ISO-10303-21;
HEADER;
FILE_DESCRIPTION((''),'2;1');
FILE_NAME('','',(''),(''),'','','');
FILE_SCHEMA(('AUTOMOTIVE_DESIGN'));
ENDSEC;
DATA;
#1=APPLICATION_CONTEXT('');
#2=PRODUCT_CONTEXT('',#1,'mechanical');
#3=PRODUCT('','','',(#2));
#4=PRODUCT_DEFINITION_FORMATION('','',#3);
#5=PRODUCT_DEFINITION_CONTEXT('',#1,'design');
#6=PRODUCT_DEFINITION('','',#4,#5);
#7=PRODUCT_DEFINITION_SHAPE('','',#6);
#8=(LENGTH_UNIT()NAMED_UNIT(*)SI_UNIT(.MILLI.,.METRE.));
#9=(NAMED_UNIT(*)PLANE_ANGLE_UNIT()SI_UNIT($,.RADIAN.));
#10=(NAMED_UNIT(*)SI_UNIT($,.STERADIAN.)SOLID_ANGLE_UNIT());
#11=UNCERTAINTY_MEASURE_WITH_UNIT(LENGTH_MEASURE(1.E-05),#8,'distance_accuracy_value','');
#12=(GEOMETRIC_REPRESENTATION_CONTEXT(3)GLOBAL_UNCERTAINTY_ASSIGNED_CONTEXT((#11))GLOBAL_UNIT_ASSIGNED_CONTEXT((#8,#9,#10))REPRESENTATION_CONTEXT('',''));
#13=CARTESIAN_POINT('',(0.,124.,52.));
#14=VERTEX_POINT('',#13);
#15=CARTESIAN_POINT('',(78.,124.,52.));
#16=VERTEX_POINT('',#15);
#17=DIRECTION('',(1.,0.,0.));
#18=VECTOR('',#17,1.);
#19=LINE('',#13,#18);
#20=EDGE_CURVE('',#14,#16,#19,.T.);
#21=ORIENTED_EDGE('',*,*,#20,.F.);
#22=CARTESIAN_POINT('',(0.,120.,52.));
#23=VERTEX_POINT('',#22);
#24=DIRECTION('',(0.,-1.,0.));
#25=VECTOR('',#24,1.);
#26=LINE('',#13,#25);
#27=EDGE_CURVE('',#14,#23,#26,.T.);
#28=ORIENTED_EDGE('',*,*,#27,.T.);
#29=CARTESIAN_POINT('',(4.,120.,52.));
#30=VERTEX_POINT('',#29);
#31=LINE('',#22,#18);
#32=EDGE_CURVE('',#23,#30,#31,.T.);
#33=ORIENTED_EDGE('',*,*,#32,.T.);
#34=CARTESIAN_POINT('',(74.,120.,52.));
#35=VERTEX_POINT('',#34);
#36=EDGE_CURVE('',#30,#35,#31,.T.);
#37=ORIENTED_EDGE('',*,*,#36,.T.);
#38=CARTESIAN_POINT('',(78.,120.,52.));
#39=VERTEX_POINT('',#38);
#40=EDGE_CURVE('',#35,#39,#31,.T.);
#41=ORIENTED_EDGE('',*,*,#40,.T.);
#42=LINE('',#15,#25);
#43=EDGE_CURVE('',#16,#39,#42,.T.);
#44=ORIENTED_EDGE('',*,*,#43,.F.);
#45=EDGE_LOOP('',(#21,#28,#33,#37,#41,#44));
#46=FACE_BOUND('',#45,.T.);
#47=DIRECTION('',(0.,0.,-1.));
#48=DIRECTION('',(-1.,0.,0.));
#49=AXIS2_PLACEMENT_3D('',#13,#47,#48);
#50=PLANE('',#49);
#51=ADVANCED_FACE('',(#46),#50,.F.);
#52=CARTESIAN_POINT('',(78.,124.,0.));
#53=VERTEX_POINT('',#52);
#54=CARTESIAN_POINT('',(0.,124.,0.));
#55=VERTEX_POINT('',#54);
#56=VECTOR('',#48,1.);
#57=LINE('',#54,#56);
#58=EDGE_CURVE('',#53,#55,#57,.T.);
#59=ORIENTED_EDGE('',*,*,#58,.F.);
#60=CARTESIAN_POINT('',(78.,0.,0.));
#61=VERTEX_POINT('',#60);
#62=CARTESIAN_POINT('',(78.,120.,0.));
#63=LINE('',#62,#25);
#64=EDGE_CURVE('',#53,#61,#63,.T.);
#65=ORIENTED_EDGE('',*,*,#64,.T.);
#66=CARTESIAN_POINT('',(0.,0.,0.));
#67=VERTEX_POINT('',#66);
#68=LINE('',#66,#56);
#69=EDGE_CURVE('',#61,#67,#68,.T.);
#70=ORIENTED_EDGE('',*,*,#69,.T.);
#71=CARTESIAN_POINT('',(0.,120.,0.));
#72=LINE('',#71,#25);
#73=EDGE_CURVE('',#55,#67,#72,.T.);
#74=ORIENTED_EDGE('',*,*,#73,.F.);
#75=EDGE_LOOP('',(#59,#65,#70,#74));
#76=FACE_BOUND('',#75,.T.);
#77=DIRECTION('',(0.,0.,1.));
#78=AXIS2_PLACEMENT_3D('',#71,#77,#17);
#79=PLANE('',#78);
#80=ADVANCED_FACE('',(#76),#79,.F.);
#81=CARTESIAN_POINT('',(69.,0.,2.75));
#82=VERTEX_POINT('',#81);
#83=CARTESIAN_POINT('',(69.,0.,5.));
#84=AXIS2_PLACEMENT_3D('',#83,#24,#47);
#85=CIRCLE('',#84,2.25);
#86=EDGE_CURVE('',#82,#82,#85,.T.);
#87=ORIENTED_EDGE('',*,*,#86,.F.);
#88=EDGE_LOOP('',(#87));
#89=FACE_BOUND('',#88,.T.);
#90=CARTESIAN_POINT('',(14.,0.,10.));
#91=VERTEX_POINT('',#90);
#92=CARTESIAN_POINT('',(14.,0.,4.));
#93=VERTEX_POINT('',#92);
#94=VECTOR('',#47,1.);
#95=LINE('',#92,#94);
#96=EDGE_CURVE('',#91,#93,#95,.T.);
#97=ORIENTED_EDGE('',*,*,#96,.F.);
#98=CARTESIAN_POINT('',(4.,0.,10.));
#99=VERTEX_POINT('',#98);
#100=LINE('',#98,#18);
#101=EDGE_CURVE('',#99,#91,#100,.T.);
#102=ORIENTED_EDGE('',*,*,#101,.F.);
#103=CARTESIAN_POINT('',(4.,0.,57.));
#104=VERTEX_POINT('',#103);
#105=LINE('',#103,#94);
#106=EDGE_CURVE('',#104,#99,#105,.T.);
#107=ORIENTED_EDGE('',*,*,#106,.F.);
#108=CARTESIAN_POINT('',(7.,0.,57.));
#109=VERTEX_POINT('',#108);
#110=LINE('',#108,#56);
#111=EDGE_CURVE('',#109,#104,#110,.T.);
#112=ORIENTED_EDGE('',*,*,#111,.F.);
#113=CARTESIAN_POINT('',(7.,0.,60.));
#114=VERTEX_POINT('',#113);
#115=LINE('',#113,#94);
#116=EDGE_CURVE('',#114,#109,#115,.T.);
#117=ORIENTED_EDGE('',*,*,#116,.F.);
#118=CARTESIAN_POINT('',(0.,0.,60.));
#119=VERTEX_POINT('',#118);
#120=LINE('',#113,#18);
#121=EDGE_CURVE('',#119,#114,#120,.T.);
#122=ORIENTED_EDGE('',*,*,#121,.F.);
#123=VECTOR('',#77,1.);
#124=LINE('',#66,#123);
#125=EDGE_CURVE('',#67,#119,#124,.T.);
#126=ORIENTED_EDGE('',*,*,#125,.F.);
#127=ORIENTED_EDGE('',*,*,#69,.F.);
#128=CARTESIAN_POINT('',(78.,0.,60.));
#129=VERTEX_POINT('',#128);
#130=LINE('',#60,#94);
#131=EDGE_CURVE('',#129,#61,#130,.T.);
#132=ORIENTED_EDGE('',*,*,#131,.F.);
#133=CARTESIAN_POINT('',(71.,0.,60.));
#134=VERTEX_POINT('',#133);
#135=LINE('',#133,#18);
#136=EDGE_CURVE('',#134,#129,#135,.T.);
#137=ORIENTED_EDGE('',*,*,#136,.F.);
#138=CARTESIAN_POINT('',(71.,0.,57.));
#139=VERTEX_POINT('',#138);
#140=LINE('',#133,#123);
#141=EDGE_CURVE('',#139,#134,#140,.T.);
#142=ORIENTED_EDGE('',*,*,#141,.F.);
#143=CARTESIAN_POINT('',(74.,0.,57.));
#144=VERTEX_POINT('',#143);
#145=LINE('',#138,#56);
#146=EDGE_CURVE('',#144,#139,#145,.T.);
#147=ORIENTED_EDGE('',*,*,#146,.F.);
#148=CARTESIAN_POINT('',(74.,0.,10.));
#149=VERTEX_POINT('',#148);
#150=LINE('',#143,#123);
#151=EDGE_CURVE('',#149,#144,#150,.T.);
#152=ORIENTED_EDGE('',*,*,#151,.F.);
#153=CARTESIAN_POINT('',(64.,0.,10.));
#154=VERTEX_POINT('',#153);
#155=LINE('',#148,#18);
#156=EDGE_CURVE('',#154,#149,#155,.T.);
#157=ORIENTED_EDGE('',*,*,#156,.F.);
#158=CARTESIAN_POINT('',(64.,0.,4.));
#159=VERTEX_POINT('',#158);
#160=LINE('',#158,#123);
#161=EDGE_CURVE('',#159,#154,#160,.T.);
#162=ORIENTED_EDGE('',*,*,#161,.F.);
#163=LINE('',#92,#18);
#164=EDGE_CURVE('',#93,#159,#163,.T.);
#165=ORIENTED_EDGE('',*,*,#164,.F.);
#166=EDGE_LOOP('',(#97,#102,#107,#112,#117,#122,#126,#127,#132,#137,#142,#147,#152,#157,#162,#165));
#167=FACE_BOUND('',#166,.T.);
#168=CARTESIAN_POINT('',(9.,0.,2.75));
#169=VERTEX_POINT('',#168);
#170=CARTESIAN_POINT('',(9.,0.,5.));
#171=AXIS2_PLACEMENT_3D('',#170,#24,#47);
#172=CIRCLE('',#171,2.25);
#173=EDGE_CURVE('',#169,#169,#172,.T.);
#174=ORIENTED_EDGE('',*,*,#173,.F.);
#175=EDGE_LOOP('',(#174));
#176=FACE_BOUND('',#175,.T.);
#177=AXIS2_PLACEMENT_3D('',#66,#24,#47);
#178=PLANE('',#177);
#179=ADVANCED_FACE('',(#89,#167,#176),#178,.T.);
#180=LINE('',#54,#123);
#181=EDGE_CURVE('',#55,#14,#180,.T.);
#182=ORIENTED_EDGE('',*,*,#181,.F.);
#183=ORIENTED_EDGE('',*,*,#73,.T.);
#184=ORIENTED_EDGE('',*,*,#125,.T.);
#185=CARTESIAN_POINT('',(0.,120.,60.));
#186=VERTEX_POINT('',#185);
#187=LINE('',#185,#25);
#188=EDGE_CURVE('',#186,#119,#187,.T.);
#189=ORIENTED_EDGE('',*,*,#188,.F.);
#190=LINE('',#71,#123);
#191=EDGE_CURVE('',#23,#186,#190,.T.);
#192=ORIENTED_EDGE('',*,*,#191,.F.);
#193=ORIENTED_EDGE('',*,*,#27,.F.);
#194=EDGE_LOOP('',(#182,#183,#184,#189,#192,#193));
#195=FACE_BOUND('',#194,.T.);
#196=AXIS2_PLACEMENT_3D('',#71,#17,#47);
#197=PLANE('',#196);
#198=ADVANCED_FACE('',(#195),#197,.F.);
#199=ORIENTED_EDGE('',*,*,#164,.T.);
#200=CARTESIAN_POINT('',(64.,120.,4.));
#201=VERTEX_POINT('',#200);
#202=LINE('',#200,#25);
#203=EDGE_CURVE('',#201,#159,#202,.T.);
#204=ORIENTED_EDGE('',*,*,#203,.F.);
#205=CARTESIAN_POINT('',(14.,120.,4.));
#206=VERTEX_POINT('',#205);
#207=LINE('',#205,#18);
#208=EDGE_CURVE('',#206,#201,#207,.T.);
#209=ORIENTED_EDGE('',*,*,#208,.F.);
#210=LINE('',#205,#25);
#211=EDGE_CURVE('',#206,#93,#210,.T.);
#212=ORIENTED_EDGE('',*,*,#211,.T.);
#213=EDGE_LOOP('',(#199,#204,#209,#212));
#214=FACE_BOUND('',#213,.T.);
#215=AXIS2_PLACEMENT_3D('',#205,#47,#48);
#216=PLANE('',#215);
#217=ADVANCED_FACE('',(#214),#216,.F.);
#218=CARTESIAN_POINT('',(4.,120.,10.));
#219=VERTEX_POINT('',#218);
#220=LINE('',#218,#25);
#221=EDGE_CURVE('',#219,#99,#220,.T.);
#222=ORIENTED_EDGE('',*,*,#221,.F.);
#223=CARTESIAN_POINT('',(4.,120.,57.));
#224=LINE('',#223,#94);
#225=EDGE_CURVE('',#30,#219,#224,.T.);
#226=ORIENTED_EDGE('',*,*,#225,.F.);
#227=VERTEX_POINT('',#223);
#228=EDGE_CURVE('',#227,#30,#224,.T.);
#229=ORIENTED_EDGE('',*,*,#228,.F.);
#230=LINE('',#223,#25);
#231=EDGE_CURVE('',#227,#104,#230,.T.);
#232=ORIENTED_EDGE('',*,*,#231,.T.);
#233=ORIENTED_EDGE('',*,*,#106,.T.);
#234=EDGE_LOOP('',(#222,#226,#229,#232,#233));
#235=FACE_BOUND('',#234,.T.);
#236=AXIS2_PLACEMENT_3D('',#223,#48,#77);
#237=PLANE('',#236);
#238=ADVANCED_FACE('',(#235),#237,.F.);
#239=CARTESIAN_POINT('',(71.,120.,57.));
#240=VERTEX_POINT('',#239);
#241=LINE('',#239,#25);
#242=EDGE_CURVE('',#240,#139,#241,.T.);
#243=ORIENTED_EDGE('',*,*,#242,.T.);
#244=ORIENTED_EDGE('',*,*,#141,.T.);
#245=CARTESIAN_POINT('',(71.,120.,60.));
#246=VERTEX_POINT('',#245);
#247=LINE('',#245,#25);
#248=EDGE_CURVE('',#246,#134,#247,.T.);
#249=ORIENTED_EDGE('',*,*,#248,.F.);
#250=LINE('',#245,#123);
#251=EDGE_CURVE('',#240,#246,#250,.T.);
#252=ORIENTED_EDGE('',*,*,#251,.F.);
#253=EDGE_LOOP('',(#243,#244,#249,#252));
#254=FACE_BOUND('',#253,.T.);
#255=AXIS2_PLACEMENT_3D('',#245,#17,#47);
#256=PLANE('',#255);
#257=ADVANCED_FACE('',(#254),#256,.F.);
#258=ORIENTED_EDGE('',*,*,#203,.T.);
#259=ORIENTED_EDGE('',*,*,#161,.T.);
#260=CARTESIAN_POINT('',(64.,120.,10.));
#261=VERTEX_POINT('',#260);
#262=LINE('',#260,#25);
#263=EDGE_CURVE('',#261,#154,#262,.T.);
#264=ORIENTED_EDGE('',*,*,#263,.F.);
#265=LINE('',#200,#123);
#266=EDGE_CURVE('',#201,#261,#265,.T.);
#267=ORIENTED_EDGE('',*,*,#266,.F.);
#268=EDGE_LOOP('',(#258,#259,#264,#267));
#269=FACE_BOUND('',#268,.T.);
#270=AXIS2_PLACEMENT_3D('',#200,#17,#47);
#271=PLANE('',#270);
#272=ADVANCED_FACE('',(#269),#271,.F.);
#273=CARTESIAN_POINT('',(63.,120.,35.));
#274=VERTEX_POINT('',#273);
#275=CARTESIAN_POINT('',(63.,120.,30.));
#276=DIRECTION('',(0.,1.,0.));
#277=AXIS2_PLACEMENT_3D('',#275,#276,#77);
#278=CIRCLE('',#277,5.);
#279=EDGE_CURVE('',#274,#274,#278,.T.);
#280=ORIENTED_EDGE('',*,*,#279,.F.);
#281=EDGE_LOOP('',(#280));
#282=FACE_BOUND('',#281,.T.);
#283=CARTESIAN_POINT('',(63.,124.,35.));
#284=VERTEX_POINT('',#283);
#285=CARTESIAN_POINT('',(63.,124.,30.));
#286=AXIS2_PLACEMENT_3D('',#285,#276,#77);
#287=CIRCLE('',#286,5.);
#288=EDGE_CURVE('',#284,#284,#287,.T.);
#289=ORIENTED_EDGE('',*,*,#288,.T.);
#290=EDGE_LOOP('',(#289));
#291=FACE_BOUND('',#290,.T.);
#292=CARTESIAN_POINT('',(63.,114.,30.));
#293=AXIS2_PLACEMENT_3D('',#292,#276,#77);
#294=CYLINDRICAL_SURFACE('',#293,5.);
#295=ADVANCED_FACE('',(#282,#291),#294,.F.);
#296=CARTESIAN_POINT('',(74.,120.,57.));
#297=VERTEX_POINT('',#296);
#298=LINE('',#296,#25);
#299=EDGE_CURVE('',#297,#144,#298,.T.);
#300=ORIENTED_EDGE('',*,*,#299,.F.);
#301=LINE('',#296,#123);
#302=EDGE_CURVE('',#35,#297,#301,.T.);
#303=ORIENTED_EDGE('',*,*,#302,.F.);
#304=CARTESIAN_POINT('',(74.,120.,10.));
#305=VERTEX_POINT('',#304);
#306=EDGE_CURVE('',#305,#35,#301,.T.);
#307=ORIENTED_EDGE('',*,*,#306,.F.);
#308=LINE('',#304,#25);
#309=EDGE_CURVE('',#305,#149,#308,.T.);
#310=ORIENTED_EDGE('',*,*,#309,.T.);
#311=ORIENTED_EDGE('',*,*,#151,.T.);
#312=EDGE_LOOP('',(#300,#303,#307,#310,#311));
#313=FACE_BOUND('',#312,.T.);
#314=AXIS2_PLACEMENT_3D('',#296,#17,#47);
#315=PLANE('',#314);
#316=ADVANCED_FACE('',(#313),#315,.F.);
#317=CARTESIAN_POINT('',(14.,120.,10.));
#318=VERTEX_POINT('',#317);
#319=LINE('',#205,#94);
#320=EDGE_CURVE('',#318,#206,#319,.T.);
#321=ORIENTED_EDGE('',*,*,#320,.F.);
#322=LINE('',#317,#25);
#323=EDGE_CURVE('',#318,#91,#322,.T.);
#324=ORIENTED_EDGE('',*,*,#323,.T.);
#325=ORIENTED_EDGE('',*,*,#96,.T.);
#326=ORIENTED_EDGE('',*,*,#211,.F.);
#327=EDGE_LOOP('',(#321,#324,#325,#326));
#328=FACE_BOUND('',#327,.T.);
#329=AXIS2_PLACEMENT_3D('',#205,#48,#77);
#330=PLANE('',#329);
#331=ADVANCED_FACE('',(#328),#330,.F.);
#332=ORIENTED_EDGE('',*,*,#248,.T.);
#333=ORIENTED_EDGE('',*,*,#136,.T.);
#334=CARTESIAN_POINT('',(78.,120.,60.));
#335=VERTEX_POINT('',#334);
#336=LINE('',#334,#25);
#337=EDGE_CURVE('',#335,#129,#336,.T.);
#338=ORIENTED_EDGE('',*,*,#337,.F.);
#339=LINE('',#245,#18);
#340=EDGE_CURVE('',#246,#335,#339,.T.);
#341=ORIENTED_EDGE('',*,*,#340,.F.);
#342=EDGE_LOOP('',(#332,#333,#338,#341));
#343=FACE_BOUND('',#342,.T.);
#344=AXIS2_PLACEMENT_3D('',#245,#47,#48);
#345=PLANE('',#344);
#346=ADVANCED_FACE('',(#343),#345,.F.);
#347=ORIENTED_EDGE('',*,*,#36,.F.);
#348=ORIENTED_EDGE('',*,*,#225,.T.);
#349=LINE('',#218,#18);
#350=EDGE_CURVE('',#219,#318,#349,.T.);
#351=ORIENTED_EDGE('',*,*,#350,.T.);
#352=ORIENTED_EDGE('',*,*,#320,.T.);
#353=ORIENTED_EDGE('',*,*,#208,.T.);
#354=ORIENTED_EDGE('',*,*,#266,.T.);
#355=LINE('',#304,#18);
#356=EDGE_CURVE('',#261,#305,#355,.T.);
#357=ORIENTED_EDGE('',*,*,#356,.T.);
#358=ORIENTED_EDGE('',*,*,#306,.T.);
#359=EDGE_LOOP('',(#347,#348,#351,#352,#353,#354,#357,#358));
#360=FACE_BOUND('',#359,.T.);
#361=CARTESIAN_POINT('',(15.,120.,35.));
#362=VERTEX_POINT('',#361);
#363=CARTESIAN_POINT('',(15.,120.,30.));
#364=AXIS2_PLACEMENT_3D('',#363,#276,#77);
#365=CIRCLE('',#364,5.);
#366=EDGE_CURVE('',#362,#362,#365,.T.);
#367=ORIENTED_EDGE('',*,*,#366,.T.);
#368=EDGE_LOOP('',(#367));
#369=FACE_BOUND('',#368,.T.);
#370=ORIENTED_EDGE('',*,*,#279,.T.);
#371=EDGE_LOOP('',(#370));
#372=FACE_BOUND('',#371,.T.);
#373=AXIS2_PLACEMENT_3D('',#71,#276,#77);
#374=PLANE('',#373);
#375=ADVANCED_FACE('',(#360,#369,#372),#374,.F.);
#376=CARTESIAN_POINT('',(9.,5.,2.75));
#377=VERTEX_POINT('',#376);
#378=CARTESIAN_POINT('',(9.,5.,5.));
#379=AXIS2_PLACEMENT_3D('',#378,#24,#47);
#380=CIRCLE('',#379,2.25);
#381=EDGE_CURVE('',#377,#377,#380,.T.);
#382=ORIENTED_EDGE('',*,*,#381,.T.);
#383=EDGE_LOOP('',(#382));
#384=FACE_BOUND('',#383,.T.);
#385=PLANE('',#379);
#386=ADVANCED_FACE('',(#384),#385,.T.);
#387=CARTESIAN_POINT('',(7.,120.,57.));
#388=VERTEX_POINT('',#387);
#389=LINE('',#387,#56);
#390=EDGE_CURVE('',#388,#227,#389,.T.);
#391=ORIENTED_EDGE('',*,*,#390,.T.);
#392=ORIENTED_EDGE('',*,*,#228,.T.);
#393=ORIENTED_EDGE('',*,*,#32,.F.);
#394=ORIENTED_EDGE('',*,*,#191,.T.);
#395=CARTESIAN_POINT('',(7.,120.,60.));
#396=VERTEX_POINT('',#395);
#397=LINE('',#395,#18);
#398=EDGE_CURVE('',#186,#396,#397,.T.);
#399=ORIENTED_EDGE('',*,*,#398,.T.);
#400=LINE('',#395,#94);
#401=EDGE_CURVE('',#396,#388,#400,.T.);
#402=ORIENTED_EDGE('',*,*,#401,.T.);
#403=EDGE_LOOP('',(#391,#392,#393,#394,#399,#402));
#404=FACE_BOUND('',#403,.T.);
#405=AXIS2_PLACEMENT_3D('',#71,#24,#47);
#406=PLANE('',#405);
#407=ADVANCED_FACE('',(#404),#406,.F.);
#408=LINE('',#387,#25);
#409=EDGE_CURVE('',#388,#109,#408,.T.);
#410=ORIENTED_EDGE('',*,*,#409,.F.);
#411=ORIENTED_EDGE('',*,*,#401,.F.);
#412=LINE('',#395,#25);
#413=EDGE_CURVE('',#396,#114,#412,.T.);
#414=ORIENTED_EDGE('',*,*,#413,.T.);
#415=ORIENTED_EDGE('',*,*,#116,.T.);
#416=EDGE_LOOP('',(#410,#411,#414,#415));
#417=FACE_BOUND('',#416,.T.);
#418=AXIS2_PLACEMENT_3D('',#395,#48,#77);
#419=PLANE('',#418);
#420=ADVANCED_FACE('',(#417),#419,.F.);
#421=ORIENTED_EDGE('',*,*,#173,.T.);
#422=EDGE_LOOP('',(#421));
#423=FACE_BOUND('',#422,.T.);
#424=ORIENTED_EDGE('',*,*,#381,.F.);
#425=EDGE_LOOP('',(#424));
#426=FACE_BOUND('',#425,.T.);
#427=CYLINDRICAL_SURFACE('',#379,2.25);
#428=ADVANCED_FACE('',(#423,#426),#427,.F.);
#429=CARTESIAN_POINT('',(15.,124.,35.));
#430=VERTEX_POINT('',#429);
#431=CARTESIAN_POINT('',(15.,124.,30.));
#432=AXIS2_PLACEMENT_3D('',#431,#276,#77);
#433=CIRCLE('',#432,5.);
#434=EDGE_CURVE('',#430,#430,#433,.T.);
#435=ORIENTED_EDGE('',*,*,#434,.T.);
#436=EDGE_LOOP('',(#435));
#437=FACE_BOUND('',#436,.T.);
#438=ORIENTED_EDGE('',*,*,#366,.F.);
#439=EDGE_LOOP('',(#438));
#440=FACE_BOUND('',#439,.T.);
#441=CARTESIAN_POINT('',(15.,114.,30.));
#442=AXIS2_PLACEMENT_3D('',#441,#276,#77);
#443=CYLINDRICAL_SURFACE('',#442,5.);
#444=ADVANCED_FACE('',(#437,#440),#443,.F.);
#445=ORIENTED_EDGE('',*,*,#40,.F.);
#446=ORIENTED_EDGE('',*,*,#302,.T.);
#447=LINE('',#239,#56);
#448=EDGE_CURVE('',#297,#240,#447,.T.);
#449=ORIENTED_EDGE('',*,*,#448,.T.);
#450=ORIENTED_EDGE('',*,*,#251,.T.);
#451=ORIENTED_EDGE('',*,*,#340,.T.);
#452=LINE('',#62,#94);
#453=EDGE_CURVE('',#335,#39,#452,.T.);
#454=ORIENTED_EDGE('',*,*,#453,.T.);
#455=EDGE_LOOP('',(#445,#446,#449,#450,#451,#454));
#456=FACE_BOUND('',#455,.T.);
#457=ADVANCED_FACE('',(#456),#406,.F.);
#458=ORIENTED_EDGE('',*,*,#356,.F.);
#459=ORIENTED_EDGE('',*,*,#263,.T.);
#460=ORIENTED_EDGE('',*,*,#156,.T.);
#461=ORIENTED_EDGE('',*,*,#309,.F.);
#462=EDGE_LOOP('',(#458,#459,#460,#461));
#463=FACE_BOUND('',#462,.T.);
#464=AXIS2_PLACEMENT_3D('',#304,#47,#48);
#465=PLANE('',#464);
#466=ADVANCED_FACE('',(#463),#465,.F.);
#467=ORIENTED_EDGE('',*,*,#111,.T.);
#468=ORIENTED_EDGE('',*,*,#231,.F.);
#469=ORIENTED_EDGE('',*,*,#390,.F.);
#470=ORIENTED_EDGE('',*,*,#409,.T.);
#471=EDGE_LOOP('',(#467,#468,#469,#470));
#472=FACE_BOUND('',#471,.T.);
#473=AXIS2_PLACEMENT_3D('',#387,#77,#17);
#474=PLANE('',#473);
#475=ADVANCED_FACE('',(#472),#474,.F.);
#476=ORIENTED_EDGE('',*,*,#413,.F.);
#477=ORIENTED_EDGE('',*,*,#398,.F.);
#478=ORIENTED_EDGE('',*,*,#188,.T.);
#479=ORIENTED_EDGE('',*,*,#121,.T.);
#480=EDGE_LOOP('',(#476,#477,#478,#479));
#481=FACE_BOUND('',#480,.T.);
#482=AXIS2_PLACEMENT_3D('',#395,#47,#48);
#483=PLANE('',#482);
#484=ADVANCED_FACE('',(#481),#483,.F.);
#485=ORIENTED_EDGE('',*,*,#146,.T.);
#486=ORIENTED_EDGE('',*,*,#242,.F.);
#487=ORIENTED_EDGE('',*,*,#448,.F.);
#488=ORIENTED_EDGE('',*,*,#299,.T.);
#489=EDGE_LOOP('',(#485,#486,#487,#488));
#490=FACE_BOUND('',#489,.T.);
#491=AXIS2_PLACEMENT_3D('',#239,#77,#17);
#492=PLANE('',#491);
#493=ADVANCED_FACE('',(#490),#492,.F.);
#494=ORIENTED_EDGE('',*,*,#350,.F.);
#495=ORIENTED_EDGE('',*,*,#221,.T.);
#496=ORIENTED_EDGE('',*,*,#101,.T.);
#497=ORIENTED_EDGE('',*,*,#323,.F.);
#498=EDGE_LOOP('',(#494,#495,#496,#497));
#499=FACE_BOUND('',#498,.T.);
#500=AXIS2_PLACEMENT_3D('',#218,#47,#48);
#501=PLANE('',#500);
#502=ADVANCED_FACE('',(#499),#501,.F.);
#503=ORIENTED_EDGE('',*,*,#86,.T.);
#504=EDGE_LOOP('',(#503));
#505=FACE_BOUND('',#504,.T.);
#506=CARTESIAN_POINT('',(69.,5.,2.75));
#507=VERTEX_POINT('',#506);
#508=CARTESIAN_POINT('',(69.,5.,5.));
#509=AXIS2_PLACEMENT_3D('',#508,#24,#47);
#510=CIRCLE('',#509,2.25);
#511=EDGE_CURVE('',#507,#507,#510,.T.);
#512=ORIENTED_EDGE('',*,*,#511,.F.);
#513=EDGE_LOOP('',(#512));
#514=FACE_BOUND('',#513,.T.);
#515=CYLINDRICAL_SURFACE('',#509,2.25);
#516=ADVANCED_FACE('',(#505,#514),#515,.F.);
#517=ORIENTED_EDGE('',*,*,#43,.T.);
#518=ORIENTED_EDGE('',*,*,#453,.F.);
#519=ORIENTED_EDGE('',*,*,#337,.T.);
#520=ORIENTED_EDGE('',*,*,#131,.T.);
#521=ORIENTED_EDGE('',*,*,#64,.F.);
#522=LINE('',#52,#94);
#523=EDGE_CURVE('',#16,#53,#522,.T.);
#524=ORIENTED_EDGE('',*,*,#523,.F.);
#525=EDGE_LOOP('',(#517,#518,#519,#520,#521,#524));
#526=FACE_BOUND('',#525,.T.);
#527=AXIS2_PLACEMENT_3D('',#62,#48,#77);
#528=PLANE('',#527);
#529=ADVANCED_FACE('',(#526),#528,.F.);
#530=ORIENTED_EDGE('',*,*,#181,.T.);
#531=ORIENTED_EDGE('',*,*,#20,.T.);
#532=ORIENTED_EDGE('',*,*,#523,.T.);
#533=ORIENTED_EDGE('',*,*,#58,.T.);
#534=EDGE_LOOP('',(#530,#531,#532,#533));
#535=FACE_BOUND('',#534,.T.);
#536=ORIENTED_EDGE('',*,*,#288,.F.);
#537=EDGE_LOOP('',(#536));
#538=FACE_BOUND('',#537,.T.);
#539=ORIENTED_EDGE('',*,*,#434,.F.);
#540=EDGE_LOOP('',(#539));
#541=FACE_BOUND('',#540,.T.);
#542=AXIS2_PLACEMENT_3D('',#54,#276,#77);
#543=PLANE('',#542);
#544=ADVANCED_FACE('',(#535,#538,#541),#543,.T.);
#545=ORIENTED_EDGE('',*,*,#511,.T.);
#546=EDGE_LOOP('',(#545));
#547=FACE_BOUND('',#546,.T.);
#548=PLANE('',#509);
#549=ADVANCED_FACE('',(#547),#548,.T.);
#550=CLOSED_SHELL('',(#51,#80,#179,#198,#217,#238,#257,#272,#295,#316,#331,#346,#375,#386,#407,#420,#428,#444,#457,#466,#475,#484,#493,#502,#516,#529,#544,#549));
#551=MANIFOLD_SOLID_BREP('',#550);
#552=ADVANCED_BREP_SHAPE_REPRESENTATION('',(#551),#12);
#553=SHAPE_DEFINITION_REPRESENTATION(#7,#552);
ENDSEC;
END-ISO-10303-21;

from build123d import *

# Parameters (mm, degrees)
BOSS_EXTRU_2_DEPTH      = 120
ESQUISSE2_R             = 2.25
ENL_V_MAT_EXTRU_1_DEPTH = 5
ESQUISSE4_W             = 78
ESQUISSE4_H             = 52
BOSS_EXTRU_3_DEPTH      = 4
ESQUISSE6_R             = 5
ENL_V_MAT_EXTRU_3_DEPTH = 10


with BuildPart() as part:
    # Esquisse1 → Boss.-Extru.2 (new body)
    with BuildSketch(Plane(origin=(0, 0, 0), x_dir=(1, 0, 0), z_dir=(0, 1, 0))):
        Polygon((71, -60), (78, -60), (78, 0), (0, 0), (0, -60), (7, -60), (7, -57), (4, -57), (4, -10), (14, -10), (14, -4), (64, -4), (64, -10), (74, -10), (74, -57), (71, -57), align=None)
    extrude(amount=BOSS_EXTRU_2_DEPTH)

    # Esquisse2 → Enlèv. mat.-Extru.1 (cut)
    with BuildSketch(Plane.XZ):
        with Locations((69, 5)):
            Circle(ESQUISSE2_R)
        with Locations((9, 5)):
            Circle(ESQUISSE2_R)
    extrude(amount=-ENL_V_MAT_EXTRU_1_DEPTH, mode=Mode.SUBTRACT)

    # Esquisse4 → Boss.-Extru.3 (add)
    with BuildSketch(Plane(origin=(0, 120, 0), x_dir=(1, 0, 0), z_dir=(0, 1, 0))):
        with Locations((39, -26)):
            Rectangle(ESQUISSE4_W, ESQUISSE4_H)
    extrude(amount=BOSS_EXTRU_3_DEPTH)

    # Esquisse6 → Enlèv. mat.-Extru.3 (cut)
    with BuildSketch(Plane(origin=(0, 124, 0), x_dir=(1, 0, 0), z_dir=(0, 1, 0))):
        with Locations((15, -30)):
            Circle(ESQUISSE6_R)
        with Locations((63, -30)):
            Circle(ESQUISSE6_R)
    extrude(amount=-ENL_V_MAT_EXTRU_3_DEPTH, mode=Mode.SUBTRACT)


solid = part.part
